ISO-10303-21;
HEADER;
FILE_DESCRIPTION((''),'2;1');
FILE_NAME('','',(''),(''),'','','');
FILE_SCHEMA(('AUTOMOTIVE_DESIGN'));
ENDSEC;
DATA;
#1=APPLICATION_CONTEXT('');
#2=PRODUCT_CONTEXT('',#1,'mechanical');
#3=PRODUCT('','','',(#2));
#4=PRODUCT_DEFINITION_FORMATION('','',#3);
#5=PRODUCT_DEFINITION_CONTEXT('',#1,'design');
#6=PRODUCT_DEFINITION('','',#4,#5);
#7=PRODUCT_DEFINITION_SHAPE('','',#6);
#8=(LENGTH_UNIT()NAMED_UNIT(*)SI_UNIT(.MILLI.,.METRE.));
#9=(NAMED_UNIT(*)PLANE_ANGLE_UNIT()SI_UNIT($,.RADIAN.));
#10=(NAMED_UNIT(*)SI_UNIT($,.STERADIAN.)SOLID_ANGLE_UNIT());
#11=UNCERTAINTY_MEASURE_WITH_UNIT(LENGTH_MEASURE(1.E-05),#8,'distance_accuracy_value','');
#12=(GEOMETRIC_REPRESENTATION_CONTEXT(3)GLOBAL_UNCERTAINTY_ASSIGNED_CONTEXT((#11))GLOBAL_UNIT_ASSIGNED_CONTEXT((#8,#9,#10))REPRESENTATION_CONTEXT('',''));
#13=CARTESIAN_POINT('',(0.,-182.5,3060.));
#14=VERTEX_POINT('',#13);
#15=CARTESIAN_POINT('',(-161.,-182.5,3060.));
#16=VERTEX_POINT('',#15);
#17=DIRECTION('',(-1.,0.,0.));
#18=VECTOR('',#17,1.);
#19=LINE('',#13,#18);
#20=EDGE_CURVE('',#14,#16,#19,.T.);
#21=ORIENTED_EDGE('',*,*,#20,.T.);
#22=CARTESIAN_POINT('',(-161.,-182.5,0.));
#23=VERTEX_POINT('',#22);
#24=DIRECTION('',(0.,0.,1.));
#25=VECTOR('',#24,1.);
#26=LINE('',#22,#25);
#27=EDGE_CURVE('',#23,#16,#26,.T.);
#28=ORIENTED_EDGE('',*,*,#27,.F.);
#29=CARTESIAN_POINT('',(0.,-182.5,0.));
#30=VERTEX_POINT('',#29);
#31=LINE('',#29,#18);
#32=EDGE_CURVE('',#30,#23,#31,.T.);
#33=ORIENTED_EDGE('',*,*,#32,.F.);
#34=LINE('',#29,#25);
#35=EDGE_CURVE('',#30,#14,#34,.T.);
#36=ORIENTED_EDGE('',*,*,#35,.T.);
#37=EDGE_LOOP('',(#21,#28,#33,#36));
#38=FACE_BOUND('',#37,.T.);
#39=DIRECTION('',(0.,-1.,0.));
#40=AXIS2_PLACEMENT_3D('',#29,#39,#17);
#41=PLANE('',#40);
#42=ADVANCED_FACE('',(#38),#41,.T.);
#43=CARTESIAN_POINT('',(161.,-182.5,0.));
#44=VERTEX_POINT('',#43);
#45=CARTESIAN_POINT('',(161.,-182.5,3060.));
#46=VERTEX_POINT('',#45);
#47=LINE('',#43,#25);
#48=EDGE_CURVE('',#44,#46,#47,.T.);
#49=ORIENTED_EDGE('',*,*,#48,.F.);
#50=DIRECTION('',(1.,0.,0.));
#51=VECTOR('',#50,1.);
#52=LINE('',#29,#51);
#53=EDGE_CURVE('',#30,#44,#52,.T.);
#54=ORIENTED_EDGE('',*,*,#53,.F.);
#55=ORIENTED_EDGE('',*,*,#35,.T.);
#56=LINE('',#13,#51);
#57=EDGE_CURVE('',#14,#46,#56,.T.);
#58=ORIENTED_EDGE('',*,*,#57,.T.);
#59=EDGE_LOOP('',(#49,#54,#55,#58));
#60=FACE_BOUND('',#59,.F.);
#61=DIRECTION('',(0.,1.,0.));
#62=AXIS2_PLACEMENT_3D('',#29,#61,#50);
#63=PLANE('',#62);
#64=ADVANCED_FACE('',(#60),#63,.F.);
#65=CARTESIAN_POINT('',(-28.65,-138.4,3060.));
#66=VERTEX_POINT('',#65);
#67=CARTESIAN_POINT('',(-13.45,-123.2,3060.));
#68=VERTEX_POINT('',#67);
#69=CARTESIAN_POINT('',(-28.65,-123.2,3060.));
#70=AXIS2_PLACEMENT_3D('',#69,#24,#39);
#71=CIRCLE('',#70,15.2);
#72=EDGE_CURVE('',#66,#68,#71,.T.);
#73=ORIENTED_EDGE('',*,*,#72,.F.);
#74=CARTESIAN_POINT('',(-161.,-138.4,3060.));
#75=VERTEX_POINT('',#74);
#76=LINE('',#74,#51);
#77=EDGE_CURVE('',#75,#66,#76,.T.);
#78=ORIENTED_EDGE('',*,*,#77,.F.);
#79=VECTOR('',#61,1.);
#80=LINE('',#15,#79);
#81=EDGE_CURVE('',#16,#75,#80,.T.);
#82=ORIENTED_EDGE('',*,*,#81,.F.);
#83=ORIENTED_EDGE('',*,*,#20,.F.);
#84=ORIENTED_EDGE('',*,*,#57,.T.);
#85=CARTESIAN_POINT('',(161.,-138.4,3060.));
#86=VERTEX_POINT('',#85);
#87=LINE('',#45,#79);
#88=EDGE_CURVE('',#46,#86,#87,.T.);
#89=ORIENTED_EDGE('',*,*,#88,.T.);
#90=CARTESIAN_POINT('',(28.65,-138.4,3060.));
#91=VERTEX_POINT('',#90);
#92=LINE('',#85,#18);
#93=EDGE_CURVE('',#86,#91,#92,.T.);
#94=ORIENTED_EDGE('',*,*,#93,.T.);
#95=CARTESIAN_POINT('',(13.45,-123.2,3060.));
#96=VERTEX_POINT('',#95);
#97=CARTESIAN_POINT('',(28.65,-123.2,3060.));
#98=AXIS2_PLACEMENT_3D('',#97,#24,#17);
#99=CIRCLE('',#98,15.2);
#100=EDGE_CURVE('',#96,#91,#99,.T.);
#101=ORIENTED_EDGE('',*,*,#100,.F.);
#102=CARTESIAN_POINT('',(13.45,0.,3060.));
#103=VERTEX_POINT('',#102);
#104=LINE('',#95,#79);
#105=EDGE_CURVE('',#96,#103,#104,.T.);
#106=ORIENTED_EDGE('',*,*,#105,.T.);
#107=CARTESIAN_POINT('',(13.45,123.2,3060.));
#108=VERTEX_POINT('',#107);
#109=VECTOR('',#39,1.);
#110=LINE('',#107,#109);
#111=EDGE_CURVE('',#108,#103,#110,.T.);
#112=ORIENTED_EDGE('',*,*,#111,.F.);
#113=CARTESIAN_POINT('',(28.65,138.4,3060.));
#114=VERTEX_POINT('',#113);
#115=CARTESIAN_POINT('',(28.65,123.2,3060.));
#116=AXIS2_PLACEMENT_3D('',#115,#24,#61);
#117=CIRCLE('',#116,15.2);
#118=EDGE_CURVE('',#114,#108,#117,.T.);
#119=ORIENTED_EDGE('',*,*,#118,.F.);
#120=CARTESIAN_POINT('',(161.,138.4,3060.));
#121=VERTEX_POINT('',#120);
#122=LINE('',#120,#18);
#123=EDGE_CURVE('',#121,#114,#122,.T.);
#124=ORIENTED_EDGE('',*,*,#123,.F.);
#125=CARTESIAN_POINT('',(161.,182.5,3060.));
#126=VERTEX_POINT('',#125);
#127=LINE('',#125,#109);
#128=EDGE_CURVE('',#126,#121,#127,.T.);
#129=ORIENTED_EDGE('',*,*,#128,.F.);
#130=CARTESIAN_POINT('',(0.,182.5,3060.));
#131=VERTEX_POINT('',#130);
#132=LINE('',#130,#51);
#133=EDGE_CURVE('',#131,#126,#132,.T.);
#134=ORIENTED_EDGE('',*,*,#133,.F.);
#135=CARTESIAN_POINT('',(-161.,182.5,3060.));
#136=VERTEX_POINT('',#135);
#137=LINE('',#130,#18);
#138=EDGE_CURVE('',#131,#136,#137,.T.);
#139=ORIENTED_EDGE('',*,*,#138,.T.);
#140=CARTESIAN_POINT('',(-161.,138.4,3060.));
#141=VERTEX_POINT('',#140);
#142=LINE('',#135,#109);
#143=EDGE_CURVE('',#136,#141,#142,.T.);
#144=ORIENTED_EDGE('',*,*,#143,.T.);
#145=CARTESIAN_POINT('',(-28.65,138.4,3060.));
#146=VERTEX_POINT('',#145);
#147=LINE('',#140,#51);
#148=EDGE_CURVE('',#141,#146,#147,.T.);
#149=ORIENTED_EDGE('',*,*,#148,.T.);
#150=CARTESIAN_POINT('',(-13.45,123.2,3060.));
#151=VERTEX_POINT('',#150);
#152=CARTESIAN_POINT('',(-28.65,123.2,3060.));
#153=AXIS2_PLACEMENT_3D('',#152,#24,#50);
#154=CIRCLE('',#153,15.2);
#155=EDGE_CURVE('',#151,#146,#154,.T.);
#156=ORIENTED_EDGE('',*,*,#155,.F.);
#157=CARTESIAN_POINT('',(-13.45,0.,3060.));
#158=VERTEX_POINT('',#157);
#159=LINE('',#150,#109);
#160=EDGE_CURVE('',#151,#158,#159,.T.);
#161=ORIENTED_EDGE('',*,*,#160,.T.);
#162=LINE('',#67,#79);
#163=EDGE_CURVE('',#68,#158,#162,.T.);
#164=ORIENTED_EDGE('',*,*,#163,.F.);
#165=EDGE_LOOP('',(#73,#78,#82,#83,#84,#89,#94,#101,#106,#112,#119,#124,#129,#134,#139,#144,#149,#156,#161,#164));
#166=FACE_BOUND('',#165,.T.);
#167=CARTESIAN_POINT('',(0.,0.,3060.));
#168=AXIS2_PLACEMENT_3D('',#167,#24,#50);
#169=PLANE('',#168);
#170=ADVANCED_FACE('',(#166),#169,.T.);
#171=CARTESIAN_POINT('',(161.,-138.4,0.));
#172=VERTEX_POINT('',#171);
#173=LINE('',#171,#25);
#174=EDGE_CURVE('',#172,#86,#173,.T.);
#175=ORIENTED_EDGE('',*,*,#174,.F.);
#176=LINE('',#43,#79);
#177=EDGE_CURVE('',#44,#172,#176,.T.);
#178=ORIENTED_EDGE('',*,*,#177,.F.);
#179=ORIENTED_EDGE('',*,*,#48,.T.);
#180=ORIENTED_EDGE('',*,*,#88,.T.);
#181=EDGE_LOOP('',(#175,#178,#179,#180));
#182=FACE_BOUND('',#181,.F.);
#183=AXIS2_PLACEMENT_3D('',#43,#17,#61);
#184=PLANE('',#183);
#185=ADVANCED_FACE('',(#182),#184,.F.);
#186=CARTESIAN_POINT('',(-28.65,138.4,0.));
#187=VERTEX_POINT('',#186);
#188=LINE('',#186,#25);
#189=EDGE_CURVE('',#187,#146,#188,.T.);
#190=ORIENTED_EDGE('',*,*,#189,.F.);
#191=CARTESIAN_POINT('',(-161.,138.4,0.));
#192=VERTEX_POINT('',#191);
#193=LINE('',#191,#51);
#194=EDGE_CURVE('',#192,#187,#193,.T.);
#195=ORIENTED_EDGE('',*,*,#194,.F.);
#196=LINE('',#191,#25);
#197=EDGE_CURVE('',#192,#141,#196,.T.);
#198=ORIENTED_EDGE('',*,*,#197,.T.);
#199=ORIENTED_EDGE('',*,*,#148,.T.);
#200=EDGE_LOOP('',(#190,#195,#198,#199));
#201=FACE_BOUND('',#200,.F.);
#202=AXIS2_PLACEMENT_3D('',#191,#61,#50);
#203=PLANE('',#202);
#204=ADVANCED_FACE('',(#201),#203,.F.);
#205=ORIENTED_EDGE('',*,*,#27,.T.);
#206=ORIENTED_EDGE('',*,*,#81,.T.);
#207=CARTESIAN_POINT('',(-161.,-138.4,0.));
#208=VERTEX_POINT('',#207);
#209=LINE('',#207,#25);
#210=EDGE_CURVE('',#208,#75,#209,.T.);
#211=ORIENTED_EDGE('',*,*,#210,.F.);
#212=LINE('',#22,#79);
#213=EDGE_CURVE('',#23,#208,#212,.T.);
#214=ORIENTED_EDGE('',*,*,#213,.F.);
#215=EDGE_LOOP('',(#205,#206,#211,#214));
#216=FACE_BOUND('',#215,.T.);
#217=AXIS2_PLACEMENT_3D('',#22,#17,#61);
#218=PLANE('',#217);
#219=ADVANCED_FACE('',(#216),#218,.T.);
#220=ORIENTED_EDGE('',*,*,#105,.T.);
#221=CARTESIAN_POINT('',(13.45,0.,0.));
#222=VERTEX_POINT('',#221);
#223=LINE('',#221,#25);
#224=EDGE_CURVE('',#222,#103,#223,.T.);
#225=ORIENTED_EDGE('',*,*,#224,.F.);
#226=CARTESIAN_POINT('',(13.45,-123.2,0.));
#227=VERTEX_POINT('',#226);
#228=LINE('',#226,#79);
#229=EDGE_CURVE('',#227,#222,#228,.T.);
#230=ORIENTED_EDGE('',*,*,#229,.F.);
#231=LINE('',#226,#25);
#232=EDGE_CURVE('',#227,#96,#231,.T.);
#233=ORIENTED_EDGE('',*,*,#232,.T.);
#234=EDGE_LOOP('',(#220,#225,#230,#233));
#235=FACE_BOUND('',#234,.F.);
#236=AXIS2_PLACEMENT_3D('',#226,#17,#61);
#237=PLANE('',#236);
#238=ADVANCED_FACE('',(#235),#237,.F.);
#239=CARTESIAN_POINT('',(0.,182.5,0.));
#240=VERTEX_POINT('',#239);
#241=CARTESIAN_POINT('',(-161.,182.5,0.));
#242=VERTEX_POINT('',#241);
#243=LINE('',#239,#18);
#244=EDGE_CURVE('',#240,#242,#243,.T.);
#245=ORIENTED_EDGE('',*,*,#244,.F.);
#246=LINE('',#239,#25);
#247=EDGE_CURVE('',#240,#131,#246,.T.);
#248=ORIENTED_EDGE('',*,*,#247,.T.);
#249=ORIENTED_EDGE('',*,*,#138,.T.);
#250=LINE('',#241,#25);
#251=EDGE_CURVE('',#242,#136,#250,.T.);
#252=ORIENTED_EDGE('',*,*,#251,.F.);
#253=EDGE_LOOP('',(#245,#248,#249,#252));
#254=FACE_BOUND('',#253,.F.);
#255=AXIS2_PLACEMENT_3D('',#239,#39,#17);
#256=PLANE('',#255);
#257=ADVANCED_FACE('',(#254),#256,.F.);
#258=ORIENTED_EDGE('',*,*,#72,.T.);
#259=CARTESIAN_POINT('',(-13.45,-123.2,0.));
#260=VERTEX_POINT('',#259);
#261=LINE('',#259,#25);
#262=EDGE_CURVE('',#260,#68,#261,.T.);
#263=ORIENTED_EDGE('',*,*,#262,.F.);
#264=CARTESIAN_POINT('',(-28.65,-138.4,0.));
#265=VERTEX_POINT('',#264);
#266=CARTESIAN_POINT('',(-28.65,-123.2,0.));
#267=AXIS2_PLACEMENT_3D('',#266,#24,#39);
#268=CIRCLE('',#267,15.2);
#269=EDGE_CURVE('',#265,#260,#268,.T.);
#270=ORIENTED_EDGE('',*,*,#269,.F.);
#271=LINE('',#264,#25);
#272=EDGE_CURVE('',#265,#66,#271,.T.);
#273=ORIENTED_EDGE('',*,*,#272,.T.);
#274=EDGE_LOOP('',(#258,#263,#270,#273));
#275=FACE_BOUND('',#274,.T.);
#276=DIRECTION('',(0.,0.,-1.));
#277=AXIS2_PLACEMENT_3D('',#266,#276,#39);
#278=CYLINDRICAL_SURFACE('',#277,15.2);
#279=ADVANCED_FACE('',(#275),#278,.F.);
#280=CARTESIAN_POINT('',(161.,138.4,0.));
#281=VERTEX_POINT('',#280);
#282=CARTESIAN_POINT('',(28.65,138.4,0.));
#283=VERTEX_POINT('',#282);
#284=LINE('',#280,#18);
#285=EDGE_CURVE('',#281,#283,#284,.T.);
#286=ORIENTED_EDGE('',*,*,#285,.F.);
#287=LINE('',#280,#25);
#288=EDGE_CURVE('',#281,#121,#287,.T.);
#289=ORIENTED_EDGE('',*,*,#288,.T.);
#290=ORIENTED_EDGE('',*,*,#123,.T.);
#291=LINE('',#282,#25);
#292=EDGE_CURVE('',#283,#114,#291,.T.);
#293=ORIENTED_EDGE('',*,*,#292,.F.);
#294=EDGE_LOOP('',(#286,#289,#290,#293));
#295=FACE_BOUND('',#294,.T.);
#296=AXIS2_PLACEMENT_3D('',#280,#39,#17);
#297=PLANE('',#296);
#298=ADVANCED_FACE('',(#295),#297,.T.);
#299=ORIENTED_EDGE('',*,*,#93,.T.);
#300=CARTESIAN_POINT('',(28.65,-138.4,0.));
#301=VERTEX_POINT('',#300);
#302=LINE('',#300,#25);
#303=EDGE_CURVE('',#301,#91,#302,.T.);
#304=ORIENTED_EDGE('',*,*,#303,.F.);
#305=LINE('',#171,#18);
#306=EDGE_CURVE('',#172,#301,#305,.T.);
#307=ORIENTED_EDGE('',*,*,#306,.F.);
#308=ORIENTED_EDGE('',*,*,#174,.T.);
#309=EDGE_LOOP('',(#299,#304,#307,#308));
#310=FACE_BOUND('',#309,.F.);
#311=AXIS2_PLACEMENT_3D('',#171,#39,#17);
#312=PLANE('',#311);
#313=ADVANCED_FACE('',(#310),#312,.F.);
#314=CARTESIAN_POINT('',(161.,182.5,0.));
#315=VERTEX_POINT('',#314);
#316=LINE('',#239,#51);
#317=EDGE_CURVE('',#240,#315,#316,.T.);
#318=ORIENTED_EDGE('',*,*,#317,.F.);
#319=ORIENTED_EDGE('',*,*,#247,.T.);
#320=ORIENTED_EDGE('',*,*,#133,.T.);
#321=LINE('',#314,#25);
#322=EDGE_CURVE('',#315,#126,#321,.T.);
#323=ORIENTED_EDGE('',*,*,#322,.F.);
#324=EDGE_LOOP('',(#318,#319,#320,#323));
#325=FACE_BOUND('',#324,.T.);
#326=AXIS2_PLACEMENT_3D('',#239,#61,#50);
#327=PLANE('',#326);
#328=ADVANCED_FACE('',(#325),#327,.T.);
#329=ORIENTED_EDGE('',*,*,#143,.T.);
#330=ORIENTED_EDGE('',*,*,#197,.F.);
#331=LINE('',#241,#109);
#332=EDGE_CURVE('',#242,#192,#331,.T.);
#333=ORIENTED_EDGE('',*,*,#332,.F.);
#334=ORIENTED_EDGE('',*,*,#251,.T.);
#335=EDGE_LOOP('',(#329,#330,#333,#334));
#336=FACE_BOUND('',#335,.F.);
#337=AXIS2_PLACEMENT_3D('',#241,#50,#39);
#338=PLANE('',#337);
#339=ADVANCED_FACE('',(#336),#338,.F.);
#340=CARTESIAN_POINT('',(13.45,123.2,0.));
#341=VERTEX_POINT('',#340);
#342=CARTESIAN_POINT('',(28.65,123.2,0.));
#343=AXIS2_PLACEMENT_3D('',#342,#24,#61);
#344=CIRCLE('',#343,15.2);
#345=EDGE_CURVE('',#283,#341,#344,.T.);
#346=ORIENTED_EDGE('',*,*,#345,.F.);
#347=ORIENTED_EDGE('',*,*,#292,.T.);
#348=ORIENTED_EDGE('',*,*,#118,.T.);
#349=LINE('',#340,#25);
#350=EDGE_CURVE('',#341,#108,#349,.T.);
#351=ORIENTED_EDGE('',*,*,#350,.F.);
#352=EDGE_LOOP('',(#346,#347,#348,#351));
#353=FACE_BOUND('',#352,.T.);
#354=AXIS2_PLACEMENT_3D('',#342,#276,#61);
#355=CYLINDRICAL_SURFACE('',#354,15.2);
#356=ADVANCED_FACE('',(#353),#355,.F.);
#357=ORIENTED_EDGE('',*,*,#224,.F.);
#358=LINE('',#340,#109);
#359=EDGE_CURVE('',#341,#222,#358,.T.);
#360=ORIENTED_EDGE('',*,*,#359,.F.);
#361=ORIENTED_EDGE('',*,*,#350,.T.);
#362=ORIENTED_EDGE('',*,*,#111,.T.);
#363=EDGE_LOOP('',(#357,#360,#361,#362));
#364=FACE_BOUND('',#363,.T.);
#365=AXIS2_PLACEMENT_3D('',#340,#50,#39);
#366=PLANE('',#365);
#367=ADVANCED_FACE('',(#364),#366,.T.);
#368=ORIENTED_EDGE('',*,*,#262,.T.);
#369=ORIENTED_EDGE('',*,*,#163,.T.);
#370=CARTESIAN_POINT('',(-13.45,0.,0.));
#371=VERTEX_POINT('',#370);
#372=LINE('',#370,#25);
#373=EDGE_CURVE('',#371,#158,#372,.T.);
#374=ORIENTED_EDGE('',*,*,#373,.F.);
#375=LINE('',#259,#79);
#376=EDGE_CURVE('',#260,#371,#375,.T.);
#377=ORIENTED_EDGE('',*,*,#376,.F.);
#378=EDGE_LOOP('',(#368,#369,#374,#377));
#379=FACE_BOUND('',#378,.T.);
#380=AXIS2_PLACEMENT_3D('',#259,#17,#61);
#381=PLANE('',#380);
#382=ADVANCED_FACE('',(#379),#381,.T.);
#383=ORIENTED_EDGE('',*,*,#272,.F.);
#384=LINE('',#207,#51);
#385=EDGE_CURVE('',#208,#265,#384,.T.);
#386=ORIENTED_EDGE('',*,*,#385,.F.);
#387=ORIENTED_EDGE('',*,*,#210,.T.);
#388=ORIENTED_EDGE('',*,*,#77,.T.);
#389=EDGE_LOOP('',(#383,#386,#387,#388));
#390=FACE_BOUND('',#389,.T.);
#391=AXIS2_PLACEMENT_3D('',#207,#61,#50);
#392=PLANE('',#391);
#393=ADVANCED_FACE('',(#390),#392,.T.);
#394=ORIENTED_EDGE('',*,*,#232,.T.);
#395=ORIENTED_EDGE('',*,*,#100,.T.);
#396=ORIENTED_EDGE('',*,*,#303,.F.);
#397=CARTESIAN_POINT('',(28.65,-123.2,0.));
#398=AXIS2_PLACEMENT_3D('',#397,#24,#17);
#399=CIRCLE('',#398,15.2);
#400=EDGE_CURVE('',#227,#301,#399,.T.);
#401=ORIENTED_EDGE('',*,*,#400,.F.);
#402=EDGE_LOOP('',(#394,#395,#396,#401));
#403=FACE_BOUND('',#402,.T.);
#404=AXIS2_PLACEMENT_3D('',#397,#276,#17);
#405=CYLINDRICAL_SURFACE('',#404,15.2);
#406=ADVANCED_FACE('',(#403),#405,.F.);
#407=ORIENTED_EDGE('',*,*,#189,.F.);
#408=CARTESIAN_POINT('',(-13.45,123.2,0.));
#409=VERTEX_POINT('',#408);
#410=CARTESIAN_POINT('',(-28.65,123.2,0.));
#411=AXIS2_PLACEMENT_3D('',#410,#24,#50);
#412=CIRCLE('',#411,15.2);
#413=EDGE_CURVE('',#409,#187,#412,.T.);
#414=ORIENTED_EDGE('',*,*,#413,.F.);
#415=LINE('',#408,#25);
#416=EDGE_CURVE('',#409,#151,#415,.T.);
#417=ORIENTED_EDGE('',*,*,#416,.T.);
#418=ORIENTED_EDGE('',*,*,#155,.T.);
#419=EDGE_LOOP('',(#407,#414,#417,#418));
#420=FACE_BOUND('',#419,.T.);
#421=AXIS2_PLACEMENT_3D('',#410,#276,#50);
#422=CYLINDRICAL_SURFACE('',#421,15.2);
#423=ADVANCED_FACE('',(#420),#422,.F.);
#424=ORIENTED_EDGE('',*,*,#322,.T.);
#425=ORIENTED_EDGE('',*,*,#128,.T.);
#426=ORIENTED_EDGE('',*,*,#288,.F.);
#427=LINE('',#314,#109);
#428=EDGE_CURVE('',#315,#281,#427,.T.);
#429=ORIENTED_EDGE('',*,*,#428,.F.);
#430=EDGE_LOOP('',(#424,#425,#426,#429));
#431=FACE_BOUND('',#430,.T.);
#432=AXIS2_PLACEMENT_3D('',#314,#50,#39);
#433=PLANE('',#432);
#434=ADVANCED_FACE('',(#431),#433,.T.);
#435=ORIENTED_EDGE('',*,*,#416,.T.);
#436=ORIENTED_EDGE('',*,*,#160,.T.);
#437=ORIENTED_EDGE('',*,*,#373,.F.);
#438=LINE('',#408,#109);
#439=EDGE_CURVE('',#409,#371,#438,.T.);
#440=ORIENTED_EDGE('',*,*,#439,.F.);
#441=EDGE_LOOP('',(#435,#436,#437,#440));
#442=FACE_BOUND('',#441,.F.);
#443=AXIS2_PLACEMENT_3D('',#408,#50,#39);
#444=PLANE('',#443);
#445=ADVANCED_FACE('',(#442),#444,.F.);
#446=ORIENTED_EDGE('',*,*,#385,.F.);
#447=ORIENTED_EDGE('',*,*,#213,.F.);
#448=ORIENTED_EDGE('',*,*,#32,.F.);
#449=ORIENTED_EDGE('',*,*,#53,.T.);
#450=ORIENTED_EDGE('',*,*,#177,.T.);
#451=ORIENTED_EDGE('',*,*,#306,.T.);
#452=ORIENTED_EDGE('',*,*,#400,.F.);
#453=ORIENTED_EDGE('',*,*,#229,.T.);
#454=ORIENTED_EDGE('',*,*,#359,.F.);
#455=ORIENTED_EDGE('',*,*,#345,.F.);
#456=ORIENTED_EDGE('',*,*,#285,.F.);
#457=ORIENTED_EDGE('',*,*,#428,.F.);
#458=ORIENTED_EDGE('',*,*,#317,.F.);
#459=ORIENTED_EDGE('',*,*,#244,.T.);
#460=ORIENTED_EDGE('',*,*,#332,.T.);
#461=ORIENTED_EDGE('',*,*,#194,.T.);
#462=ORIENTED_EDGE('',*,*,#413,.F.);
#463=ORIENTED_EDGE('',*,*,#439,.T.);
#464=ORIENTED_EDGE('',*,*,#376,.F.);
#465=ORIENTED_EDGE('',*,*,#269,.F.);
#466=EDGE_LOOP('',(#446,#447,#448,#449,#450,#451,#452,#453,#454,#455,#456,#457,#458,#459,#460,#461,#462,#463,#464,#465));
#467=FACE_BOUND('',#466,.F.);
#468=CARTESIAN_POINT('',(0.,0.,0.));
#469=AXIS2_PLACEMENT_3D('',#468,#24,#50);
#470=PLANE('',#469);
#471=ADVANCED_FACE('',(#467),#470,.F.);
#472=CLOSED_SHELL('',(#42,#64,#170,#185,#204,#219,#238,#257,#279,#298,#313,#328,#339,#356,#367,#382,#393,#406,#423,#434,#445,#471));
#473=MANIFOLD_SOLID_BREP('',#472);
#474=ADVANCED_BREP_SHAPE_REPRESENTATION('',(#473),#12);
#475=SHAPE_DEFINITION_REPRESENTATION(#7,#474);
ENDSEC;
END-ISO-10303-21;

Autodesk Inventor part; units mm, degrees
ref_plane "YZ Plane" through (0, 0, 0) normal (1, 0, 0) x (0, 1, 0)
ref_plane "Start plane" through (0, 0, 0) normal (0, 0, 1) x (1, 0, 0)
ref_plane "End plane" through (0, 0, 3060) normal (0, 0, 1) x (1, 0, 0)
sketch "Sketch" plane through (0, 0, 0) normal (0, 0, 1) x (1, 0, 0)
  line L0 (-161, -182.5) -> (-161, -138.4)
  line L1 (-161, -138.4) -> (-28.65, -138.4)
  line L2 (-13.45, -123.2) -> (-13.45, 0)
  line L3 (-13.45, 0) -> (0, 0) construction
  line L4 (0, 0) -> (0, -182.5) construction
  line L5 (0, -182.5) -> (-161, -182.5)
  line L6 (-60, 0) -> (80, 0) construction
  line L7 (0, -60) -> (0, 80) construction
  line L8 (161, -182.5) -> (161, -138.4)
  line L9 (161, -138.4) -> (28.65, -138.4)
  line L10 (13.45, -123.2) -> (13.45, 0)
  line L11 (13.45, 0) -> (0, 0) construction
  line L12 (0, -182.5) -> (161, -182.5)
  line L13 (-161, 182.5) -> (-161, 138.4)
  line L14 (-161, 138.4) -> (-28.65, 138.4)
  line L15 (-13.45, 123.2) -> (-13.45, 0)
  line L16 (0, 182.5) -> (-161, 182.5)
  line L17 (161, 182.5) -> (161, 138.4)
  line L18 (161, 138.4) -> (28.65, 138.4)
  line L19 (0, 182.5) -> (161, 182.5)
  line L20 (13.45, 123.2) -> (13.45, 0)
  arc A0 (-13.45, 123.2) -> (-28.65, 138.4) centre (-28.65, 123.2) ccw
  arc A1 (28.65, 138.4) -> (13.45, 123.2) centre (28.65, 123.2) ccw
  arc A2 (13.45, -123.2) -> (28.65, -138.4) centre (28.65, -123.2) ccw
  arc A3 (-28.65, -138.4) -> (-13.45, -123.2) centre (-28.65, -123.2) ccw
  line L21 (0, 108) -> (0, -88) construction
  line L22 (-88, 0) -> (108, 0) construction
  point P0 (-13.45, -138.4)
  point P1 (13.45, -138.4)
  point P2 (-13.45, 138.4)
  point P3 (13.45, 138.4)
  dimension "d1" = 182.5
  dimension "d2" = 44.1
  dimension "d3" = 161
  dimension "d4" = 13.45
  dimension "d10" = 15.2
extrude "Body" add sketch "Sketch" along normal up to surface (3060 mm away) from surface at 0
sketch "Sketch4" plane through (0, 0, 0) normal (0, 0, 1) x (1, 0, 0)
  line L0 (0, 0) -> (10, 0)
ref_plane "Work Plane3" through (0, 0, 0) normal (0, -1, 0) x (1, 0, 0)
sketch "Sketch5" plane through (0, 0, 0) normal (0, -1, 0) x (1, 0, 0)
  line L0 (-2, 0) -> (12, 0) projected
  line L1 (-2, 3060) -> (12, 3060) projected
  dimension "d14" = 3060
equation "\"d1\" = 0.5 * G_H"
equation "\"d2\" = G_T1"
equation "\"d3\" = 0.5 * G_W"
equation "\"d4\" = 0.5 * G_T"
equation "\"d10\" = G_IR"
equation "\"d5\" = G_L"
equation "\"G_W\" = 322"
equation "\"G_H\" = 365"
equation "\"G_T\" = 26.9"
equation "\"G_T1\" = 44.1"
equation "\"G_IR\" = 15.2"
equation "\"G_L\" = d14"
equation "\"G_OFFSET_START\" = 0"
equation "\"G_OFFSET_END\" = 0"
properties part number "AS 3679 - 310 UC - 283 - 3060" material "Steel, Mild"
